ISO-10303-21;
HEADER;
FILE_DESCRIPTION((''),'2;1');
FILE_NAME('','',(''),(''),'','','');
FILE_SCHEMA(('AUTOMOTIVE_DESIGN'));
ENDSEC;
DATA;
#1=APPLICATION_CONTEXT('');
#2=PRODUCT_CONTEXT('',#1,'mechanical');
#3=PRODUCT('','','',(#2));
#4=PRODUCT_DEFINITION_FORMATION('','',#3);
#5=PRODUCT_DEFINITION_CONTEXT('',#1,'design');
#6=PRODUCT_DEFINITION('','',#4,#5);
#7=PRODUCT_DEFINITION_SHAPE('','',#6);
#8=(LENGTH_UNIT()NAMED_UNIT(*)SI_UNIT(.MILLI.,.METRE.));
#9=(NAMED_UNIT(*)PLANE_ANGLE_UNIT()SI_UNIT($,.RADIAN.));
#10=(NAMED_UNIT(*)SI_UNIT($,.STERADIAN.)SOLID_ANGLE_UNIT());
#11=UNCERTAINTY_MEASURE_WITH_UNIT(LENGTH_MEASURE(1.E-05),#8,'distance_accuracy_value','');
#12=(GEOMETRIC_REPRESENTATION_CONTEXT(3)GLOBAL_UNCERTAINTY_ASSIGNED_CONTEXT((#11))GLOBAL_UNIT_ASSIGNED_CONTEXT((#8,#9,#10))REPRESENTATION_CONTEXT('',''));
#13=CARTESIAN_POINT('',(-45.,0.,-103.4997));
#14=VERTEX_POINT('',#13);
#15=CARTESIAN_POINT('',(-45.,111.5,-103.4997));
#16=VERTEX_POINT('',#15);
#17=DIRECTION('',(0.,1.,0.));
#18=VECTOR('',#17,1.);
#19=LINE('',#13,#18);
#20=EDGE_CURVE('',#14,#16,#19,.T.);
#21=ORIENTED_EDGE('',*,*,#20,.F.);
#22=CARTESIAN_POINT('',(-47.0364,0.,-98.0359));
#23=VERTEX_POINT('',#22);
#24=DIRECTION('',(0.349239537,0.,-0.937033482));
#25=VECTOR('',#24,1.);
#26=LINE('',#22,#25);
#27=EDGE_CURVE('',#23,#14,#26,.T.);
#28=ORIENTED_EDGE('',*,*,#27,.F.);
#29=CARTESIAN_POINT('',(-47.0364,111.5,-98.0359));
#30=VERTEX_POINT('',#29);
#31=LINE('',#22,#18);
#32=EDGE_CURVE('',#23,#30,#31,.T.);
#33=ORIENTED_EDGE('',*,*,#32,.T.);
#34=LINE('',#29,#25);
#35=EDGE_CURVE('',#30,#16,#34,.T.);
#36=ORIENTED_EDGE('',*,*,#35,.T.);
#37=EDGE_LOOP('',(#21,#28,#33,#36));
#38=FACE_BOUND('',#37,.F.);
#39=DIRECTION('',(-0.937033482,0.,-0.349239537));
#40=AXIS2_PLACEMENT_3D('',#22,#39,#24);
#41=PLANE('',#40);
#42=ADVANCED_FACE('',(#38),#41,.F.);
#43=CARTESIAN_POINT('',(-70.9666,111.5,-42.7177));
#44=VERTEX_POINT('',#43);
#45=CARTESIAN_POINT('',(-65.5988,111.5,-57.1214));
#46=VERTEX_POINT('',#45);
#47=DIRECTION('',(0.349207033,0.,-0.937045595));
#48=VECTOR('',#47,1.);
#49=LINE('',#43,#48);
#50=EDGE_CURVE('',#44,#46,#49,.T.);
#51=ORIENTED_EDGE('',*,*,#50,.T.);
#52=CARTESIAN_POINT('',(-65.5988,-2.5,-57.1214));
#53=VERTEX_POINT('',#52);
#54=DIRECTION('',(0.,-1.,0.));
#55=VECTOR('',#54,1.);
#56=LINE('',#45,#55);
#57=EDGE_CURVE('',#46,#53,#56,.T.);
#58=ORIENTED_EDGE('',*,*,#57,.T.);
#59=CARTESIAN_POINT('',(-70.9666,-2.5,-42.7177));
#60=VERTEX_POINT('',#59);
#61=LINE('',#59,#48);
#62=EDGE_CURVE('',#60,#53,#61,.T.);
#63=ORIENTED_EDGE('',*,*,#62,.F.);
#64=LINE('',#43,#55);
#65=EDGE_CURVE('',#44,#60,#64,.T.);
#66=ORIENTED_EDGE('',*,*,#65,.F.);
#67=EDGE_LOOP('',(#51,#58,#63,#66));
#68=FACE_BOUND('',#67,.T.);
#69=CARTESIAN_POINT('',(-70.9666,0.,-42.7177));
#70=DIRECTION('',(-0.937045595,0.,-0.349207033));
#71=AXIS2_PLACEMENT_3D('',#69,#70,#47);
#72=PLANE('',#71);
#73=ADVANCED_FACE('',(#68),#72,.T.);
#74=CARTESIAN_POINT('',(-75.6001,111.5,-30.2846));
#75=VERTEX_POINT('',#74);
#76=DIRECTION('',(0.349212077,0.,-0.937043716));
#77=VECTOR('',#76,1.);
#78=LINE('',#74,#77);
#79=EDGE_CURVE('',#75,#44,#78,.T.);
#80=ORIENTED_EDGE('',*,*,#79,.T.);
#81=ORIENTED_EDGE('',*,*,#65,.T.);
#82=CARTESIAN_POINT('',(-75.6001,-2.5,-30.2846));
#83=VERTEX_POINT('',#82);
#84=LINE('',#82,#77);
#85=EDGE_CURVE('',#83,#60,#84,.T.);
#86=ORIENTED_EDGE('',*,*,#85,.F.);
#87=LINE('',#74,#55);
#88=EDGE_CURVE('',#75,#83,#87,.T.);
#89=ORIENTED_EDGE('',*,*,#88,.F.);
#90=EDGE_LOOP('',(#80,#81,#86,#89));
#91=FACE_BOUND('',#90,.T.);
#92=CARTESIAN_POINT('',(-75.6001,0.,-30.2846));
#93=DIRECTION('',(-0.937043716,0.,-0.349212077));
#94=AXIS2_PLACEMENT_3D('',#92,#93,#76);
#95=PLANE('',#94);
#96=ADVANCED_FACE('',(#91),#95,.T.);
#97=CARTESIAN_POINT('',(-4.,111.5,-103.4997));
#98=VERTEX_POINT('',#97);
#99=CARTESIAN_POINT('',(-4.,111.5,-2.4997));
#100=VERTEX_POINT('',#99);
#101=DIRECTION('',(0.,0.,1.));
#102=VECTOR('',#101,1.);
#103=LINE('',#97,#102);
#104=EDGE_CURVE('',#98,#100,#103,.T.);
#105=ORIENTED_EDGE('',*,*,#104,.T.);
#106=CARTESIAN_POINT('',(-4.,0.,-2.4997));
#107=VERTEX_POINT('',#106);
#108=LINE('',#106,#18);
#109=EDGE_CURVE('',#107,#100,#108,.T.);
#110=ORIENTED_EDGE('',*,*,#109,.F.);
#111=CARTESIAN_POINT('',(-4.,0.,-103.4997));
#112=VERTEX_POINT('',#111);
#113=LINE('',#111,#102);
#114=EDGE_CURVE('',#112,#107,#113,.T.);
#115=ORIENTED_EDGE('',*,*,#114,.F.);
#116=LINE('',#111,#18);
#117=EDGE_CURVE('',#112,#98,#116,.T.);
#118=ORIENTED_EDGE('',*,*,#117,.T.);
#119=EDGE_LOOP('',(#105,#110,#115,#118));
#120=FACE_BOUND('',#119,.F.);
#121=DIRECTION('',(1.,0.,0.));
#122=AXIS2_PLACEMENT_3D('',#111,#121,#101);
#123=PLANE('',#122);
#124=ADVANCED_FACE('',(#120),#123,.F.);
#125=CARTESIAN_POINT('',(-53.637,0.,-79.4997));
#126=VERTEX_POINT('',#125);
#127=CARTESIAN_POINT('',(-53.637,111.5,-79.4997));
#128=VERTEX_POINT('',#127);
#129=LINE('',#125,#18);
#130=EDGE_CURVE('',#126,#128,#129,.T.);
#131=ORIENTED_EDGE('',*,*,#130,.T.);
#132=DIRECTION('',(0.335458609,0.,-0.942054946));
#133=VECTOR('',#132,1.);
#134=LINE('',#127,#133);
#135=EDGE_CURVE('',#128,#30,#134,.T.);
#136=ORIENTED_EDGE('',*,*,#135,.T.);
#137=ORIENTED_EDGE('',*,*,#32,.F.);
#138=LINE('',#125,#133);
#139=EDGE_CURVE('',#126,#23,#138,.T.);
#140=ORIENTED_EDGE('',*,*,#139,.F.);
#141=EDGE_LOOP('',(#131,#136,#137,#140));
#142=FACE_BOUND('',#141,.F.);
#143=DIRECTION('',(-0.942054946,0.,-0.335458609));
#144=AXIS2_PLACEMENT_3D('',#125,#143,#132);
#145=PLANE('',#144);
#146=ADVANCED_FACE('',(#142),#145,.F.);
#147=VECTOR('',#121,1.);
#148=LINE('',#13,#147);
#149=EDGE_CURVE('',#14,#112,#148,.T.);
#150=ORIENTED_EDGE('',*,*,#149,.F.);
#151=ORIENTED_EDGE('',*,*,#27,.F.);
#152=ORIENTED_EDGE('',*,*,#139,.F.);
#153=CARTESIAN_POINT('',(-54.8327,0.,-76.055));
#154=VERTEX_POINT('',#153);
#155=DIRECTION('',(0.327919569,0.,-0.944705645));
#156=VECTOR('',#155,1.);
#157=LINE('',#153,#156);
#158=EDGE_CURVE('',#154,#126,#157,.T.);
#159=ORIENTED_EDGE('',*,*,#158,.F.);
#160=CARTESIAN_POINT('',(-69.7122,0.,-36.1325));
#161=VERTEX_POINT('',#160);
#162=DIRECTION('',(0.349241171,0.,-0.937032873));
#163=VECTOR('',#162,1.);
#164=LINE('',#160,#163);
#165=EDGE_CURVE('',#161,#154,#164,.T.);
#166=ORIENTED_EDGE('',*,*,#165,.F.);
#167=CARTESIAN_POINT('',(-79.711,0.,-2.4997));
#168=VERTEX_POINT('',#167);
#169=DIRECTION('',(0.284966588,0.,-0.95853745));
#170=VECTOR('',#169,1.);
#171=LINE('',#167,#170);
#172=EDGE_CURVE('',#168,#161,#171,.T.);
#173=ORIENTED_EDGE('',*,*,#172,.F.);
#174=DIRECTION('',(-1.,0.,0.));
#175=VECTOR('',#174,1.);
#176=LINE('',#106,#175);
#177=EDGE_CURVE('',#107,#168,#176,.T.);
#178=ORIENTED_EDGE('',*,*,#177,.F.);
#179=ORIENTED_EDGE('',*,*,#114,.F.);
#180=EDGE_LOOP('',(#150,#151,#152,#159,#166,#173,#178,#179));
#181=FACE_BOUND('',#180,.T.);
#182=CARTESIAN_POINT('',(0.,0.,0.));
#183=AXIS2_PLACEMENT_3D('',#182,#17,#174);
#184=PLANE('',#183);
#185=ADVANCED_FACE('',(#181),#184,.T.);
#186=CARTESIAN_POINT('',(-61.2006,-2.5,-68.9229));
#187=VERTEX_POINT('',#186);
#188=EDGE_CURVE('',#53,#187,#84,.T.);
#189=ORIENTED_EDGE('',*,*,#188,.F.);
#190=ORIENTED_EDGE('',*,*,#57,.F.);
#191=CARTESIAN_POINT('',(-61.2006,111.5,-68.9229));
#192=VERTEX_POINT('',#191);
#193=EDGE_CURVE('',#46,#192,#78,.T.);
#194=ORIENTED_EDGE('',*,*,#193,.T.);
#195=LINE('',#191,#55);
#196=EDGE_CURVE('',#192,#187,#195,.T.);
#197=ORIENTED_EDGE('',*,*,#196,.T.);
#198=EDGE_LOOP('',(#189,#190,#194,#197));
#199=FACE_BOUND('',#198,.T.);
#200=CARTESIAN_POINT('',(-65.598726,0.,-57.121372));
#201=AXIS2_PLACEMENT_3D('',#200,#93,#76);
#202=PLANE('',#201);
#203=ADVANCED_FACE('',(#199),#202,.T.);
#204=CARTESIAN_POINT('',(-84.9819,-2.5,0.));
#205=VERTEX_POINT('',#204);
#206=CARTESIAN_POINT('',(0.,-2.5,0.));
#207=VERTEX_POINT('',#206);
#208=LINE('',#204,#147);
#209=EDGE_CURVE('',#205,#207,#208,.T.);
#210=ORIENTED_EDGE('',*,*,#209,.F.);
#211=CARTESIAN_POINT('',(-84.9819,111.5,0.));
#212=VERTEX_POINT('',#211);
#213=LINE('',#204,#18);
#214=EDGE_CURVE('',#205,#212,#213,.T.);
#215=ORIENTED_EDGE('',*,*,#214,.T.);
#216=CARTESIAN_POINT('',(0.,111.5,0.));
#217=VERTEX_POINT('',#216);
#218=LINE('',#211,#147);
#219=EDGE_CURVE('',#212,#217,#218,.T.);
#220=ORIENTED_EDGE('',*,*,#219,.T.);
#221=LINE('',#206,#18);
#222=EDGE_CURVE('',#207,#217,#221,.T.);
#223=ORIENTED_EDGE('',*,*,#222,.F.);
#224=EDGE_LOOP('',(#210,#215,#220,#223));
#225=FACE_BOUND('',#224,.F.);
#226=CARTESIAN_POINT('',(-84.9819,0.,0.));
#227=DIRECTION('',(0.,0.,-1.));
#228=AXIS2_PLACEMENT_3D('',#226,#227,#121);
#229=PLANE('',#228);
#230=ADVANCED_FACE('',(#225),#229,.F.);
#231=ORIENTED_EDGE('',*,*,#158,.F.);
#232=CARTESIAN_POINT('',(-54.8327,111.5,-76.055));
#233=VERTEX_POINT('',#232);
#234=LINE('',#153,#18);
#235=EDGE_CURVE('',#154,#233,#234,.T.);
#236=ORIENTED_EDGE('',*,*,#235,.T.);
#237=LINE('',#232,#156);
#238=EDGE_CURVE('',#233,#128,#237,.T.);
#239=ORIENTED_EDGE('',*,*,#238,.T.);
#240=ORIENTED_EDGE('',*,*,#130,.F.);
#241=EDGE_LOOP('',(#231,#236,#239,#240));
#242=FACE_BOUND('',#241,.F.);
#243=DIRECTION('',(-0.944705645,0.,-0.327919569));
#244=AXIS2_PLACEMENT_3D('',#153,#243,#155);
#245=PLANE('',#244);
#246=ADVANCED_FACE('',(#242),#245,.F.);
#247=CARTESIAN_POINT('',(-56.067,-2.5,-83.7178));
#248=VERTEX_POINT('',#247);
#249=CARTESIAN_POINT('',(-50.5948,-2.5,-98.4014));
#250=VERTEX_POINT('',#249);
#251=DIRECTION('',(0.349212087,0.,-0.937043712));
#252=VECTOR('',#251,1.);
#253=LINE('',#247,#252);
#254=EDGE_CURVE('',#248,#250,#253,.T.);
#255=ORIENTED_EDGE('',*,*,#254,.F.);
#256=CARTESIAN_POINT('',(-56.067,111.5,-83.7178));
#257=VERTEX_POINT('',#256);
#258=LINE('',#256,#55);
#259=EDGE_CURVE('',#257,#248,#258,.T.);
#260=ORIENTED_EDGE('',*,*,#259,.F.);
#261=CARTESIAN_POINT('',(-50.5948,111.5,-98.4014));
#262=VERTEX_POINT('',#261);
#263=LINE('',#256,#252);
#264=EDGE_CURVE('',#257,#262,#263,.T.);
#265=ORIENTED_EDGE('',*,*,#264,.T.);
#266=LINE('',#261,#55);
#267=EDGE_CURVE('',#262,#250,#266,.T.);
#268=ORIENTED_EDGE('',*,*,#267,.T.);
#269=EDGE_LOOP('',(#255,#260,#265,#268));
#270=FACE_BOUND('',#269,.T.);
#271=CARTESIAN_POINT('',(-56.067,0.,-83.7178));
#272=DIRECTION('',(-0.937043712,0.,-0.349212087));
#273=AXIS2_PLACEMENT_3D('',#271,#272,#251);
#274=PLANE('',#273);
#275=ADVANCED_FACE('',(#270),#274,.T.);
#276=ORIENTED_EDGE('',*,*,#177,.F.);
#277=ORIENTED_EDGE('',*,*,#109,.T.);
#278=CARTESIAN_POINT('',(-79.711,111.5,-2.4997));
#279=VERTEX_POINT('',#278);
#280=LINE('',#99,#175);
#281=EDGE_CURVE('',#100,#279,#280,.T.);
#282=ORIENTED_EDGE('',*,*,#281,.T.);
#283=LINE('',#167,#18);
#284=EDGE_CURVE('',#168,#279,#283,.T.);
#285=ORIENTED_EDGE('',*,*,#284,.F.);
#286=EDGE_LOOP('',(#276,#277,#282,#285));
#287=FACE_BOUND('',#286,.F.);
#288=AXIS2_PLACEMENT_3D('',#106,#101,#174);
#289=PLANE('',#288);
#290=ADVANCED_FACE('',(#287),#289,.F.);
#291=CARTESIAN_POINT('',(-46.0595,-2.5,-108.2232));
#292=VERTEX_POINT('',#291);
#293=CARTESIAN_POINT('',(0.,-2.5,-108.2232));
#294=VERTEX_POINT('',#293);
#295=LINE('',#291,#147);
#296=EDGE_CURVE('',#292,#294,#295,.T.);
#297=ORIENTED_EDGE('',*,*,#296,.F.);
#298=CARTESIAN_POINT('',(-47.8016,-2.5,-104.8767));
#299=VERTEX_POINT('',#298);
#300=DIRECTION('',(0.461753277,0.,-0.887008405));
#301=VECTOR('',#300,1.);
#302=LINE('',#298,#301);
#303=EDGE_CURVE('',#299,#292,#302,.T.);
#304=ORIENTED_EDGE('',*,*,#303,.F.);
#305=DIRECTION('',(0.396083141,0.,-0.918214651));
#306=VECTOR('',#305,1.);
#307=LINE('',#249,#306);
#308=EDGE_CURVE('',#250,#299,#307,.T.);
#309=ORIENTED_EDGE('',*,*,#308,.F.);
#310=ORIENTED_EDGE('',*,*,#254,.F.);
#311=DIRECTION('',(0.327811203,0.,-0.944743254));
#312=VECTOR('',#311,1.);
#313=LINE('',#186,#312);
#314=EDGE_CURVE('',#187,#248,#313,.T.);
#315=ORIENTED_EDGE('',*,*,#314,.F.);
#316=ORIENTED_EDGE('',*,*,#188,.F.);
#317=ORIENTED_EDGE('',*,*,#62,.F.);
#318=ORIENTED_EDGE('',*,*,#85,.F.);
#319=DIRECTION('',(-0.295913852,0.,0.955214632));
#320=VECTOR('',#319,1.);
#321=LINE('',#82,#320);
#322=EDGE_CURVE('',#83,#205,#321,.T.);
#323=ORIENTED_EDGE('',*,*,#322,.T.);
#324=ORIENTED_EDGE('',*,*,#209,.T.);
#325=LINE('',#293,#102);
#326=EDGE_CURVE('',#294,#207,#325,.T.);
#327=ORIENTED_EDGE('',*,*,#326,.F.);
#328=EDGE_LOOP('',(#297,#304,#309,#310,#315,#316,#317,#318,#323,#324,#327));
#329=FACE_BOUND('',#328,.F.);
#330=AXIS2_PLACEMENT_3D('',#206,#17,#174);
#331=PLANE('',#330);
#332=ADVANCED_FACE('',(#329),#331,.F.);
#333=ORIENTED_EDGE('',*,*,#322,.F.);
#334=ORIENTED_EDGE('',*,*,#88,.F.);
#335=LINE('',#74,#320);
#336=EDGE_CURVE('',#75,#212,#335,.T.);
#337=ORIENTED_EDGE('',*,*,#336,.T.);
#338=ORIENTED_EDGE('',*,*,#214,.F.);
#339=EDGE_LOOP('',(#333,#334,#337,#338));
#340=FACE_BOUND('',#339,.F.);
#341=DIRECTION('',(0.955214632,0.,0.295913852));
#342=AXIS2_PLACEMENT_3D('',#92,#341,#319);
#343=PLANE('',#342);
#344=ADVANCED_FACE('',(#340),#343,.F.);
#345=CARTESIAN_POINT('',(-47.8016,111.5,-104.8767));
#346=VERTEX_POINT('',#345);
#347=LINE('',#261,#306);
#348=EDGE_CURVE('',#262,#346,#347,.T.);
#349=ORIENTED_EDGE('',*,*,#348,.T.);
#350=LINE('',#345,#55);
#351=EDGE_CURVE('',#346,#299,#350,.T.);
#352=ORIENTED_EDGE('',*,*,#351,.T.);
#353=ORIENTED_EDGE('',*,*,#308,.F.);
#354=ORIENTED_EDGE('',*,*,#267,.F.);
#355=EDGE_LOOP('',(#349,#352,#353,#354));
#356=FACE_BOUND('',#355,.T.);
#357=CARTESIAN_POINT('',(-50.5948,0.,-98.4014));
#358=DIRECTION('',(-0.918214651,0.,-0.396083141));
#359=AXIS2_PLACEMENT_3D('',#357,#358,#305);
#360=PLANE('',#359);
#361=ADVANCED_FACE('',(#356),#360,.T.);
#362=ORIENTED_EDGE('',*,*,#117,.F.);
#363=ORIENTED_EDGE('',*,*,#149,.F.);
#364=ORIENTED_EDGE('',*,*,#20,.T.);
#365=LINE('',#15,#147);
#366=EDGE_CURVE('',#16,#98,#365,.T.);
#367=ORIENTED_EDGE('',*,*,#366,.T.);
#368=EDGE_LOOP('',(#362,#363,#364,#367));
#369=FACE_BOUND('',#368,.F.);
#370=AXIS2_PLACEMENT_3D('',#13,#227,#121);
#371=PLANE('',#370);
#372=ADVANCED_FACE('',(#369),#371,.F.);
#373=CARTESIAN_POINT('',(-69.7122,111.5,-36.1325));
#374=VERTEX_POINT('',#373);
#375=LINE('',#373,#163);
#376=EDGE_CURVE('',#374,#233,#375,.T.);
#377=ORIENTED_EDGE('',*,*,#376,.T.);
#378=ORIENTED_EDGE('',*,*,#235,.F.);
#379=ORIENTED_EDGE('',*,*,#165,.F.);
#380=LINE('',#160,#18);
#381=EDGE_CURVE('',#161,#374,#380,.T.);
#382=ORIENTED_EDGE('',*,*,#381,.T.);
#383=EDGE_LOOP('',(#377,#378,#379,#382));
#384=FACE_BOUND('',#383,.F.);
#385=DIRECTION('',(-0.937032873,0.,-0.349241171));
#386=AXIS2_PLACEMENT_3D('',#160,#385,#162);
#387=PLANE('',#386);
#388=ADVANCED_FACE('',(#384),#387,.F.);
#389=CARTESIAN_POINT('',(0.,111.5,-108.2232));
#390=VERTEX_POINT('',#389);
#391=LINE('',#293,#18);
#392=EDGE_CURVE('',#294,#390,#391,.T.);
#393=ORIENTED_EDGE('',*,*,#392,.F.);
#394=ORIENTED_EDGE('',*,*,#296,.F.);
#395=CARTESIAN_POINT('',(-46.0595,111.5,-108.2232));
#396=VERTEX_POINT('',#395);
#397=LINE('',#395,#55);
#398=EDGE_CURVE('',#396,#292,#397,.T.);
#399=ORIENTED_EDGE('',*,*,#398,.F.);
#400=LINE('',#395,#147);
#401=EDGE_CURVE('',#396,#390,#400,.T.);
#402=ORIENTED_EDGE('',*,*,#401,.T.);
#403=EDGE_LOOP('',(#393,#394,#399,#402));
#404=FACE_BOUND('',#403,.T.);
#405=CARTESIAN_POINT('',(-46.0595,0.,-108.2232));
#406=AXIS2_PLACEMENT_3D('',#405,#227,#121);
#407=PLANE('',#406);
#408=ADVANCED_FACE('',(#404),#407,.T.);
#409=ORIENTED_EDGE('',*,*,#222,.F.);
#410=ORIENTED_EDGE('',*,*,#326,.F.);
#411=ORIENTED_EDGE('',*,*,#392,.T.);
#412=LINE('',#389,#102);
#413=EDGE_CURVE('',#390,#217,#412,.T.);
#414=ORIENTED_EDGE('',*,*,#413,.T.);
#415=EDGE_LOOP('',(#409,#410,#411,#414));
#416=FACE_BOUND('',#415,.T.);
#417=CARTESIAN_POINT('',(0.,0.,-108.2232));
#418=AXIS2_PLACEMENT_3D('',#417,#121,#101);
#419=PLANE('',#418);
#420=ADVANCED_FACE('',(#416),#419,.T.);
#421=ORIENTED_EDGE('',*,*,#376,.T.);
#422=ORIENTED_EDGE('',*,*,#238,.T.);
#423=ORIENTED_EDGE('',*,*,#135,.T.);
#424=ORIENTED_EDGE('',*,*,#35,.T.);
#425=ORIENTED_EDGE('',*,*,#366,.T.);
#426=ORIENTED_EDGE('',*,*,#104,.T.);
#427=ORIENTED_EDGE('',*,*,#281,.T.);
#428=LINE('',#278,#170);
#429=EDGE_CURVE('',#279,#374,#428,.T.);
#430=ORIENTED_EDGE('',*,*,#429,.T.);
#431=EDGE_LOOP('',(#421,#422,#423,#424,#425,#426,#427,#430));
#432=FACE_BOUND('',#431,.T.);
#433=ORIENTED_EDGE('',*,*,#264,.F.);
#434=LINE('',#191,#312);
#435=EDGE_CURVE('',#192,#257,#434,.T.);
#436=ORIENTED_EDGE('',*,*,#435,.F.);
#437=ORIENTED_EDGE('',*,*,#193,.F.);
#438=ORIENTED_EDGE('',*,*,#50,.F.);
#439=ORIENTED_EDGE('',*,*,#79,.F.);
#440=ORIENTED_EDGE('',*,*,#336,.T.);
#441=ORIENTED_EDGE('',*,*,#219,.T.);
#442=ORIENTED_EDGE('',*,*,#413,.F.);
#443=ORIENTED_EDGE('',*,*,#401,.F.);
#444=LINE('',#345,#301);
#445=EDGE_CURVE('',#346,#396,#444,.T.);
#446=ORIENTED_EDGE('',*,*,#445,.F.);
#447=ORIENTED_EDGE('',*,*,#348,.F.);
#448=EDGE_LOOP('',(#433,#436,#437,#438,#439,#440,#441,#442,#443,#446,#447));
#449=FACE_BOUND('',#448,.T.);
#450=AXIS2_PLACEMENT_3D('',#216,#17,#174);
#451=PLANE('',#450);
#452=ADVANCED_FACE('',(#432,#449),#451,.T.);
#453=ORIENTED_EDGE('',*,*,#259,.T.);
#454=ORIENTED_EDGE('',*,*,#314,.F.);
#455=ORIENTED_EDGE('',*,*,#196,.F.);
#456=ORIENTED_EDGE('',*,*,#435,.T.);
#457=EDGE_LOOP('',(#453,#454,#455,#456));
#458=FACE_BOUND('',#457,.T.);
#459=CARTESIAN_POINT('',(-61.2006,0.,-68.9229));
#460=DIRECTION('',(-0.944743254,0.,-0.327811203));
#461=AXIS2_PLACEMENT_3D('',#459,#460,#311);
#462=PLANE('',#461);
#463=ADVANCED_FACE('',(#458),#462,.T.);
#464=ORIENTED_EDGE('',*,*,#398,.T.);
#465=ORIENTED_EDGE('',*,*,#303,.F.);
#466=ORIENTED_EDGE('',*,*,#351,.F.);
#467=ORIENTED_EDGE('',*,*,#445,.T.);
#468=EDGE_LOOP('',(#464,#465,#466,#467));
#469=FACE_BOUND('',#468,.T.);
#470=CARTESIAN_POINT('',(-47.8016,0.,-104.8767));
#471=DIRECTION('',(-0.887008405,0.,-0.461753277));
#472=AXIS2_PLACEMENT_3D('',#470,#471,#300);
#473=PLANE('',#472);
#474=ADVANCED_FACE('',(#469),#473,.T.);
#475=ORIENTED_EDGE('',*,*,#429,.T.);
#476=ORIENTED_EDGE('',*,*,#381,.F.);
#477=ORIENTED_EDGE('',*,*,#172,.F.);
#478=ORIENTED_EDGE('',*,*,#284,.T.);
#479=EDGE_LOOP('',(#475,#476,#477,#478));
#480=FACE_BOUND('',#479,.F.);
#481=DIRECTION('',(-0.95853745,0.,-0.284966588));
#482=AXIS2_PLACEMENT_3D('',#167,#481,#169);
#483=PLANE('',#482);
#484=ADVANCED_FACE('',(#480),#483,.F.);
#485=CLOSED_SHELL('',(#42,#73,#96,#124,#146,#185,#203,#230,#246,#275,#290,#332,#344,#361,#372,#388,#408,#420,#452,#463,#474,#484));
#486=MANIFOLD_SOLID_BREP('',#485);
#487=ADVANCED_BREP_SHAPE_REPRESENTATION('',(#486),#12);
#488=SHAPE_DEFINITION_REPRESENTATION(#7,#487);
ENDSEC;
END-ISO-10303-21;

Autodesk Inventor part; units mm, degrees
ref_plane "YZ Plane" through (0, 0, 0) normal (1, 0, 0) x (0, 1, 0)
ref_plane "XZ Plane" through (0, 0, 0) normal (0, 1, 0) x (-1, 0, 0)
ref_plane "XY Plane" through (0, 0, 0) normal (0, 0, 1) x (1, 0, 0)
sketch "Sketch1" plane through (0, 0, 0) normal (0, 1, 0) x (-1, 0, 0)
  line L0 (4, -2.4997) -> (79.711, -2.4997)
  line L1 (4, -103.4997) -> (4, -2.4997)
  line L2 (45, -103.4997) -> (4, -103.4997)
  line L3 (69.7122, -36.1325) -> (54.8327, -76.055)
  line L4 (54.8327, -76.055) -> (53.637, -79.4997)
  line L5 (53.637, -79.4997) -> (47.0364, -98.0359)
  line L6 (47.0364, -98.0359) -> (45, -103.4997)
  line L7 (79.711, -2.4997) -> (69.7122, -36.1325)
  line L8 (84.9819, 0) -> (0, 0)
  line L9 (75.6001, -30.2846) -> (84.9819, 0)
  line L10 (84.9819, 0) -> (75.6001, -30.2846)
  line L11 (70.9666, -42.7177) -> (65.5988, -57.1214)
  line L12 (61.2006, -68.9229) -> (56.067, -83.7178)
  line L13 (75.6001, -30.2846) -> (61.2006, -68.9229)
  line L14 (47.8016, -104.8767) -> (46.0595, -108.2232)
  line L15 (50.5948, -98.4014) -> (47.8016, -104.8767)
  line L16 (56.067, -83.7178) -> (50.5948, -98.4014)
  line L17 (0, -108.2232) -> (0, 0)
  line L18 (46.0595, -108.2232) -> (0, -108.2232)
  point P0 (0, 0)
  point P1 (-1, 0)
extrude "Extrusion1" add sketch "Sketch1" against normal blind 2.5 contours L0 L7 L3 L4 L5 L6 L2 L1 | L9 L13 L11 L12 L16 L15 L14 L18 L17 L8
extrude "Extrusion2" add sketch "Sketch1" along normal blind 111.5
properties part number "phoneBucketV2"
